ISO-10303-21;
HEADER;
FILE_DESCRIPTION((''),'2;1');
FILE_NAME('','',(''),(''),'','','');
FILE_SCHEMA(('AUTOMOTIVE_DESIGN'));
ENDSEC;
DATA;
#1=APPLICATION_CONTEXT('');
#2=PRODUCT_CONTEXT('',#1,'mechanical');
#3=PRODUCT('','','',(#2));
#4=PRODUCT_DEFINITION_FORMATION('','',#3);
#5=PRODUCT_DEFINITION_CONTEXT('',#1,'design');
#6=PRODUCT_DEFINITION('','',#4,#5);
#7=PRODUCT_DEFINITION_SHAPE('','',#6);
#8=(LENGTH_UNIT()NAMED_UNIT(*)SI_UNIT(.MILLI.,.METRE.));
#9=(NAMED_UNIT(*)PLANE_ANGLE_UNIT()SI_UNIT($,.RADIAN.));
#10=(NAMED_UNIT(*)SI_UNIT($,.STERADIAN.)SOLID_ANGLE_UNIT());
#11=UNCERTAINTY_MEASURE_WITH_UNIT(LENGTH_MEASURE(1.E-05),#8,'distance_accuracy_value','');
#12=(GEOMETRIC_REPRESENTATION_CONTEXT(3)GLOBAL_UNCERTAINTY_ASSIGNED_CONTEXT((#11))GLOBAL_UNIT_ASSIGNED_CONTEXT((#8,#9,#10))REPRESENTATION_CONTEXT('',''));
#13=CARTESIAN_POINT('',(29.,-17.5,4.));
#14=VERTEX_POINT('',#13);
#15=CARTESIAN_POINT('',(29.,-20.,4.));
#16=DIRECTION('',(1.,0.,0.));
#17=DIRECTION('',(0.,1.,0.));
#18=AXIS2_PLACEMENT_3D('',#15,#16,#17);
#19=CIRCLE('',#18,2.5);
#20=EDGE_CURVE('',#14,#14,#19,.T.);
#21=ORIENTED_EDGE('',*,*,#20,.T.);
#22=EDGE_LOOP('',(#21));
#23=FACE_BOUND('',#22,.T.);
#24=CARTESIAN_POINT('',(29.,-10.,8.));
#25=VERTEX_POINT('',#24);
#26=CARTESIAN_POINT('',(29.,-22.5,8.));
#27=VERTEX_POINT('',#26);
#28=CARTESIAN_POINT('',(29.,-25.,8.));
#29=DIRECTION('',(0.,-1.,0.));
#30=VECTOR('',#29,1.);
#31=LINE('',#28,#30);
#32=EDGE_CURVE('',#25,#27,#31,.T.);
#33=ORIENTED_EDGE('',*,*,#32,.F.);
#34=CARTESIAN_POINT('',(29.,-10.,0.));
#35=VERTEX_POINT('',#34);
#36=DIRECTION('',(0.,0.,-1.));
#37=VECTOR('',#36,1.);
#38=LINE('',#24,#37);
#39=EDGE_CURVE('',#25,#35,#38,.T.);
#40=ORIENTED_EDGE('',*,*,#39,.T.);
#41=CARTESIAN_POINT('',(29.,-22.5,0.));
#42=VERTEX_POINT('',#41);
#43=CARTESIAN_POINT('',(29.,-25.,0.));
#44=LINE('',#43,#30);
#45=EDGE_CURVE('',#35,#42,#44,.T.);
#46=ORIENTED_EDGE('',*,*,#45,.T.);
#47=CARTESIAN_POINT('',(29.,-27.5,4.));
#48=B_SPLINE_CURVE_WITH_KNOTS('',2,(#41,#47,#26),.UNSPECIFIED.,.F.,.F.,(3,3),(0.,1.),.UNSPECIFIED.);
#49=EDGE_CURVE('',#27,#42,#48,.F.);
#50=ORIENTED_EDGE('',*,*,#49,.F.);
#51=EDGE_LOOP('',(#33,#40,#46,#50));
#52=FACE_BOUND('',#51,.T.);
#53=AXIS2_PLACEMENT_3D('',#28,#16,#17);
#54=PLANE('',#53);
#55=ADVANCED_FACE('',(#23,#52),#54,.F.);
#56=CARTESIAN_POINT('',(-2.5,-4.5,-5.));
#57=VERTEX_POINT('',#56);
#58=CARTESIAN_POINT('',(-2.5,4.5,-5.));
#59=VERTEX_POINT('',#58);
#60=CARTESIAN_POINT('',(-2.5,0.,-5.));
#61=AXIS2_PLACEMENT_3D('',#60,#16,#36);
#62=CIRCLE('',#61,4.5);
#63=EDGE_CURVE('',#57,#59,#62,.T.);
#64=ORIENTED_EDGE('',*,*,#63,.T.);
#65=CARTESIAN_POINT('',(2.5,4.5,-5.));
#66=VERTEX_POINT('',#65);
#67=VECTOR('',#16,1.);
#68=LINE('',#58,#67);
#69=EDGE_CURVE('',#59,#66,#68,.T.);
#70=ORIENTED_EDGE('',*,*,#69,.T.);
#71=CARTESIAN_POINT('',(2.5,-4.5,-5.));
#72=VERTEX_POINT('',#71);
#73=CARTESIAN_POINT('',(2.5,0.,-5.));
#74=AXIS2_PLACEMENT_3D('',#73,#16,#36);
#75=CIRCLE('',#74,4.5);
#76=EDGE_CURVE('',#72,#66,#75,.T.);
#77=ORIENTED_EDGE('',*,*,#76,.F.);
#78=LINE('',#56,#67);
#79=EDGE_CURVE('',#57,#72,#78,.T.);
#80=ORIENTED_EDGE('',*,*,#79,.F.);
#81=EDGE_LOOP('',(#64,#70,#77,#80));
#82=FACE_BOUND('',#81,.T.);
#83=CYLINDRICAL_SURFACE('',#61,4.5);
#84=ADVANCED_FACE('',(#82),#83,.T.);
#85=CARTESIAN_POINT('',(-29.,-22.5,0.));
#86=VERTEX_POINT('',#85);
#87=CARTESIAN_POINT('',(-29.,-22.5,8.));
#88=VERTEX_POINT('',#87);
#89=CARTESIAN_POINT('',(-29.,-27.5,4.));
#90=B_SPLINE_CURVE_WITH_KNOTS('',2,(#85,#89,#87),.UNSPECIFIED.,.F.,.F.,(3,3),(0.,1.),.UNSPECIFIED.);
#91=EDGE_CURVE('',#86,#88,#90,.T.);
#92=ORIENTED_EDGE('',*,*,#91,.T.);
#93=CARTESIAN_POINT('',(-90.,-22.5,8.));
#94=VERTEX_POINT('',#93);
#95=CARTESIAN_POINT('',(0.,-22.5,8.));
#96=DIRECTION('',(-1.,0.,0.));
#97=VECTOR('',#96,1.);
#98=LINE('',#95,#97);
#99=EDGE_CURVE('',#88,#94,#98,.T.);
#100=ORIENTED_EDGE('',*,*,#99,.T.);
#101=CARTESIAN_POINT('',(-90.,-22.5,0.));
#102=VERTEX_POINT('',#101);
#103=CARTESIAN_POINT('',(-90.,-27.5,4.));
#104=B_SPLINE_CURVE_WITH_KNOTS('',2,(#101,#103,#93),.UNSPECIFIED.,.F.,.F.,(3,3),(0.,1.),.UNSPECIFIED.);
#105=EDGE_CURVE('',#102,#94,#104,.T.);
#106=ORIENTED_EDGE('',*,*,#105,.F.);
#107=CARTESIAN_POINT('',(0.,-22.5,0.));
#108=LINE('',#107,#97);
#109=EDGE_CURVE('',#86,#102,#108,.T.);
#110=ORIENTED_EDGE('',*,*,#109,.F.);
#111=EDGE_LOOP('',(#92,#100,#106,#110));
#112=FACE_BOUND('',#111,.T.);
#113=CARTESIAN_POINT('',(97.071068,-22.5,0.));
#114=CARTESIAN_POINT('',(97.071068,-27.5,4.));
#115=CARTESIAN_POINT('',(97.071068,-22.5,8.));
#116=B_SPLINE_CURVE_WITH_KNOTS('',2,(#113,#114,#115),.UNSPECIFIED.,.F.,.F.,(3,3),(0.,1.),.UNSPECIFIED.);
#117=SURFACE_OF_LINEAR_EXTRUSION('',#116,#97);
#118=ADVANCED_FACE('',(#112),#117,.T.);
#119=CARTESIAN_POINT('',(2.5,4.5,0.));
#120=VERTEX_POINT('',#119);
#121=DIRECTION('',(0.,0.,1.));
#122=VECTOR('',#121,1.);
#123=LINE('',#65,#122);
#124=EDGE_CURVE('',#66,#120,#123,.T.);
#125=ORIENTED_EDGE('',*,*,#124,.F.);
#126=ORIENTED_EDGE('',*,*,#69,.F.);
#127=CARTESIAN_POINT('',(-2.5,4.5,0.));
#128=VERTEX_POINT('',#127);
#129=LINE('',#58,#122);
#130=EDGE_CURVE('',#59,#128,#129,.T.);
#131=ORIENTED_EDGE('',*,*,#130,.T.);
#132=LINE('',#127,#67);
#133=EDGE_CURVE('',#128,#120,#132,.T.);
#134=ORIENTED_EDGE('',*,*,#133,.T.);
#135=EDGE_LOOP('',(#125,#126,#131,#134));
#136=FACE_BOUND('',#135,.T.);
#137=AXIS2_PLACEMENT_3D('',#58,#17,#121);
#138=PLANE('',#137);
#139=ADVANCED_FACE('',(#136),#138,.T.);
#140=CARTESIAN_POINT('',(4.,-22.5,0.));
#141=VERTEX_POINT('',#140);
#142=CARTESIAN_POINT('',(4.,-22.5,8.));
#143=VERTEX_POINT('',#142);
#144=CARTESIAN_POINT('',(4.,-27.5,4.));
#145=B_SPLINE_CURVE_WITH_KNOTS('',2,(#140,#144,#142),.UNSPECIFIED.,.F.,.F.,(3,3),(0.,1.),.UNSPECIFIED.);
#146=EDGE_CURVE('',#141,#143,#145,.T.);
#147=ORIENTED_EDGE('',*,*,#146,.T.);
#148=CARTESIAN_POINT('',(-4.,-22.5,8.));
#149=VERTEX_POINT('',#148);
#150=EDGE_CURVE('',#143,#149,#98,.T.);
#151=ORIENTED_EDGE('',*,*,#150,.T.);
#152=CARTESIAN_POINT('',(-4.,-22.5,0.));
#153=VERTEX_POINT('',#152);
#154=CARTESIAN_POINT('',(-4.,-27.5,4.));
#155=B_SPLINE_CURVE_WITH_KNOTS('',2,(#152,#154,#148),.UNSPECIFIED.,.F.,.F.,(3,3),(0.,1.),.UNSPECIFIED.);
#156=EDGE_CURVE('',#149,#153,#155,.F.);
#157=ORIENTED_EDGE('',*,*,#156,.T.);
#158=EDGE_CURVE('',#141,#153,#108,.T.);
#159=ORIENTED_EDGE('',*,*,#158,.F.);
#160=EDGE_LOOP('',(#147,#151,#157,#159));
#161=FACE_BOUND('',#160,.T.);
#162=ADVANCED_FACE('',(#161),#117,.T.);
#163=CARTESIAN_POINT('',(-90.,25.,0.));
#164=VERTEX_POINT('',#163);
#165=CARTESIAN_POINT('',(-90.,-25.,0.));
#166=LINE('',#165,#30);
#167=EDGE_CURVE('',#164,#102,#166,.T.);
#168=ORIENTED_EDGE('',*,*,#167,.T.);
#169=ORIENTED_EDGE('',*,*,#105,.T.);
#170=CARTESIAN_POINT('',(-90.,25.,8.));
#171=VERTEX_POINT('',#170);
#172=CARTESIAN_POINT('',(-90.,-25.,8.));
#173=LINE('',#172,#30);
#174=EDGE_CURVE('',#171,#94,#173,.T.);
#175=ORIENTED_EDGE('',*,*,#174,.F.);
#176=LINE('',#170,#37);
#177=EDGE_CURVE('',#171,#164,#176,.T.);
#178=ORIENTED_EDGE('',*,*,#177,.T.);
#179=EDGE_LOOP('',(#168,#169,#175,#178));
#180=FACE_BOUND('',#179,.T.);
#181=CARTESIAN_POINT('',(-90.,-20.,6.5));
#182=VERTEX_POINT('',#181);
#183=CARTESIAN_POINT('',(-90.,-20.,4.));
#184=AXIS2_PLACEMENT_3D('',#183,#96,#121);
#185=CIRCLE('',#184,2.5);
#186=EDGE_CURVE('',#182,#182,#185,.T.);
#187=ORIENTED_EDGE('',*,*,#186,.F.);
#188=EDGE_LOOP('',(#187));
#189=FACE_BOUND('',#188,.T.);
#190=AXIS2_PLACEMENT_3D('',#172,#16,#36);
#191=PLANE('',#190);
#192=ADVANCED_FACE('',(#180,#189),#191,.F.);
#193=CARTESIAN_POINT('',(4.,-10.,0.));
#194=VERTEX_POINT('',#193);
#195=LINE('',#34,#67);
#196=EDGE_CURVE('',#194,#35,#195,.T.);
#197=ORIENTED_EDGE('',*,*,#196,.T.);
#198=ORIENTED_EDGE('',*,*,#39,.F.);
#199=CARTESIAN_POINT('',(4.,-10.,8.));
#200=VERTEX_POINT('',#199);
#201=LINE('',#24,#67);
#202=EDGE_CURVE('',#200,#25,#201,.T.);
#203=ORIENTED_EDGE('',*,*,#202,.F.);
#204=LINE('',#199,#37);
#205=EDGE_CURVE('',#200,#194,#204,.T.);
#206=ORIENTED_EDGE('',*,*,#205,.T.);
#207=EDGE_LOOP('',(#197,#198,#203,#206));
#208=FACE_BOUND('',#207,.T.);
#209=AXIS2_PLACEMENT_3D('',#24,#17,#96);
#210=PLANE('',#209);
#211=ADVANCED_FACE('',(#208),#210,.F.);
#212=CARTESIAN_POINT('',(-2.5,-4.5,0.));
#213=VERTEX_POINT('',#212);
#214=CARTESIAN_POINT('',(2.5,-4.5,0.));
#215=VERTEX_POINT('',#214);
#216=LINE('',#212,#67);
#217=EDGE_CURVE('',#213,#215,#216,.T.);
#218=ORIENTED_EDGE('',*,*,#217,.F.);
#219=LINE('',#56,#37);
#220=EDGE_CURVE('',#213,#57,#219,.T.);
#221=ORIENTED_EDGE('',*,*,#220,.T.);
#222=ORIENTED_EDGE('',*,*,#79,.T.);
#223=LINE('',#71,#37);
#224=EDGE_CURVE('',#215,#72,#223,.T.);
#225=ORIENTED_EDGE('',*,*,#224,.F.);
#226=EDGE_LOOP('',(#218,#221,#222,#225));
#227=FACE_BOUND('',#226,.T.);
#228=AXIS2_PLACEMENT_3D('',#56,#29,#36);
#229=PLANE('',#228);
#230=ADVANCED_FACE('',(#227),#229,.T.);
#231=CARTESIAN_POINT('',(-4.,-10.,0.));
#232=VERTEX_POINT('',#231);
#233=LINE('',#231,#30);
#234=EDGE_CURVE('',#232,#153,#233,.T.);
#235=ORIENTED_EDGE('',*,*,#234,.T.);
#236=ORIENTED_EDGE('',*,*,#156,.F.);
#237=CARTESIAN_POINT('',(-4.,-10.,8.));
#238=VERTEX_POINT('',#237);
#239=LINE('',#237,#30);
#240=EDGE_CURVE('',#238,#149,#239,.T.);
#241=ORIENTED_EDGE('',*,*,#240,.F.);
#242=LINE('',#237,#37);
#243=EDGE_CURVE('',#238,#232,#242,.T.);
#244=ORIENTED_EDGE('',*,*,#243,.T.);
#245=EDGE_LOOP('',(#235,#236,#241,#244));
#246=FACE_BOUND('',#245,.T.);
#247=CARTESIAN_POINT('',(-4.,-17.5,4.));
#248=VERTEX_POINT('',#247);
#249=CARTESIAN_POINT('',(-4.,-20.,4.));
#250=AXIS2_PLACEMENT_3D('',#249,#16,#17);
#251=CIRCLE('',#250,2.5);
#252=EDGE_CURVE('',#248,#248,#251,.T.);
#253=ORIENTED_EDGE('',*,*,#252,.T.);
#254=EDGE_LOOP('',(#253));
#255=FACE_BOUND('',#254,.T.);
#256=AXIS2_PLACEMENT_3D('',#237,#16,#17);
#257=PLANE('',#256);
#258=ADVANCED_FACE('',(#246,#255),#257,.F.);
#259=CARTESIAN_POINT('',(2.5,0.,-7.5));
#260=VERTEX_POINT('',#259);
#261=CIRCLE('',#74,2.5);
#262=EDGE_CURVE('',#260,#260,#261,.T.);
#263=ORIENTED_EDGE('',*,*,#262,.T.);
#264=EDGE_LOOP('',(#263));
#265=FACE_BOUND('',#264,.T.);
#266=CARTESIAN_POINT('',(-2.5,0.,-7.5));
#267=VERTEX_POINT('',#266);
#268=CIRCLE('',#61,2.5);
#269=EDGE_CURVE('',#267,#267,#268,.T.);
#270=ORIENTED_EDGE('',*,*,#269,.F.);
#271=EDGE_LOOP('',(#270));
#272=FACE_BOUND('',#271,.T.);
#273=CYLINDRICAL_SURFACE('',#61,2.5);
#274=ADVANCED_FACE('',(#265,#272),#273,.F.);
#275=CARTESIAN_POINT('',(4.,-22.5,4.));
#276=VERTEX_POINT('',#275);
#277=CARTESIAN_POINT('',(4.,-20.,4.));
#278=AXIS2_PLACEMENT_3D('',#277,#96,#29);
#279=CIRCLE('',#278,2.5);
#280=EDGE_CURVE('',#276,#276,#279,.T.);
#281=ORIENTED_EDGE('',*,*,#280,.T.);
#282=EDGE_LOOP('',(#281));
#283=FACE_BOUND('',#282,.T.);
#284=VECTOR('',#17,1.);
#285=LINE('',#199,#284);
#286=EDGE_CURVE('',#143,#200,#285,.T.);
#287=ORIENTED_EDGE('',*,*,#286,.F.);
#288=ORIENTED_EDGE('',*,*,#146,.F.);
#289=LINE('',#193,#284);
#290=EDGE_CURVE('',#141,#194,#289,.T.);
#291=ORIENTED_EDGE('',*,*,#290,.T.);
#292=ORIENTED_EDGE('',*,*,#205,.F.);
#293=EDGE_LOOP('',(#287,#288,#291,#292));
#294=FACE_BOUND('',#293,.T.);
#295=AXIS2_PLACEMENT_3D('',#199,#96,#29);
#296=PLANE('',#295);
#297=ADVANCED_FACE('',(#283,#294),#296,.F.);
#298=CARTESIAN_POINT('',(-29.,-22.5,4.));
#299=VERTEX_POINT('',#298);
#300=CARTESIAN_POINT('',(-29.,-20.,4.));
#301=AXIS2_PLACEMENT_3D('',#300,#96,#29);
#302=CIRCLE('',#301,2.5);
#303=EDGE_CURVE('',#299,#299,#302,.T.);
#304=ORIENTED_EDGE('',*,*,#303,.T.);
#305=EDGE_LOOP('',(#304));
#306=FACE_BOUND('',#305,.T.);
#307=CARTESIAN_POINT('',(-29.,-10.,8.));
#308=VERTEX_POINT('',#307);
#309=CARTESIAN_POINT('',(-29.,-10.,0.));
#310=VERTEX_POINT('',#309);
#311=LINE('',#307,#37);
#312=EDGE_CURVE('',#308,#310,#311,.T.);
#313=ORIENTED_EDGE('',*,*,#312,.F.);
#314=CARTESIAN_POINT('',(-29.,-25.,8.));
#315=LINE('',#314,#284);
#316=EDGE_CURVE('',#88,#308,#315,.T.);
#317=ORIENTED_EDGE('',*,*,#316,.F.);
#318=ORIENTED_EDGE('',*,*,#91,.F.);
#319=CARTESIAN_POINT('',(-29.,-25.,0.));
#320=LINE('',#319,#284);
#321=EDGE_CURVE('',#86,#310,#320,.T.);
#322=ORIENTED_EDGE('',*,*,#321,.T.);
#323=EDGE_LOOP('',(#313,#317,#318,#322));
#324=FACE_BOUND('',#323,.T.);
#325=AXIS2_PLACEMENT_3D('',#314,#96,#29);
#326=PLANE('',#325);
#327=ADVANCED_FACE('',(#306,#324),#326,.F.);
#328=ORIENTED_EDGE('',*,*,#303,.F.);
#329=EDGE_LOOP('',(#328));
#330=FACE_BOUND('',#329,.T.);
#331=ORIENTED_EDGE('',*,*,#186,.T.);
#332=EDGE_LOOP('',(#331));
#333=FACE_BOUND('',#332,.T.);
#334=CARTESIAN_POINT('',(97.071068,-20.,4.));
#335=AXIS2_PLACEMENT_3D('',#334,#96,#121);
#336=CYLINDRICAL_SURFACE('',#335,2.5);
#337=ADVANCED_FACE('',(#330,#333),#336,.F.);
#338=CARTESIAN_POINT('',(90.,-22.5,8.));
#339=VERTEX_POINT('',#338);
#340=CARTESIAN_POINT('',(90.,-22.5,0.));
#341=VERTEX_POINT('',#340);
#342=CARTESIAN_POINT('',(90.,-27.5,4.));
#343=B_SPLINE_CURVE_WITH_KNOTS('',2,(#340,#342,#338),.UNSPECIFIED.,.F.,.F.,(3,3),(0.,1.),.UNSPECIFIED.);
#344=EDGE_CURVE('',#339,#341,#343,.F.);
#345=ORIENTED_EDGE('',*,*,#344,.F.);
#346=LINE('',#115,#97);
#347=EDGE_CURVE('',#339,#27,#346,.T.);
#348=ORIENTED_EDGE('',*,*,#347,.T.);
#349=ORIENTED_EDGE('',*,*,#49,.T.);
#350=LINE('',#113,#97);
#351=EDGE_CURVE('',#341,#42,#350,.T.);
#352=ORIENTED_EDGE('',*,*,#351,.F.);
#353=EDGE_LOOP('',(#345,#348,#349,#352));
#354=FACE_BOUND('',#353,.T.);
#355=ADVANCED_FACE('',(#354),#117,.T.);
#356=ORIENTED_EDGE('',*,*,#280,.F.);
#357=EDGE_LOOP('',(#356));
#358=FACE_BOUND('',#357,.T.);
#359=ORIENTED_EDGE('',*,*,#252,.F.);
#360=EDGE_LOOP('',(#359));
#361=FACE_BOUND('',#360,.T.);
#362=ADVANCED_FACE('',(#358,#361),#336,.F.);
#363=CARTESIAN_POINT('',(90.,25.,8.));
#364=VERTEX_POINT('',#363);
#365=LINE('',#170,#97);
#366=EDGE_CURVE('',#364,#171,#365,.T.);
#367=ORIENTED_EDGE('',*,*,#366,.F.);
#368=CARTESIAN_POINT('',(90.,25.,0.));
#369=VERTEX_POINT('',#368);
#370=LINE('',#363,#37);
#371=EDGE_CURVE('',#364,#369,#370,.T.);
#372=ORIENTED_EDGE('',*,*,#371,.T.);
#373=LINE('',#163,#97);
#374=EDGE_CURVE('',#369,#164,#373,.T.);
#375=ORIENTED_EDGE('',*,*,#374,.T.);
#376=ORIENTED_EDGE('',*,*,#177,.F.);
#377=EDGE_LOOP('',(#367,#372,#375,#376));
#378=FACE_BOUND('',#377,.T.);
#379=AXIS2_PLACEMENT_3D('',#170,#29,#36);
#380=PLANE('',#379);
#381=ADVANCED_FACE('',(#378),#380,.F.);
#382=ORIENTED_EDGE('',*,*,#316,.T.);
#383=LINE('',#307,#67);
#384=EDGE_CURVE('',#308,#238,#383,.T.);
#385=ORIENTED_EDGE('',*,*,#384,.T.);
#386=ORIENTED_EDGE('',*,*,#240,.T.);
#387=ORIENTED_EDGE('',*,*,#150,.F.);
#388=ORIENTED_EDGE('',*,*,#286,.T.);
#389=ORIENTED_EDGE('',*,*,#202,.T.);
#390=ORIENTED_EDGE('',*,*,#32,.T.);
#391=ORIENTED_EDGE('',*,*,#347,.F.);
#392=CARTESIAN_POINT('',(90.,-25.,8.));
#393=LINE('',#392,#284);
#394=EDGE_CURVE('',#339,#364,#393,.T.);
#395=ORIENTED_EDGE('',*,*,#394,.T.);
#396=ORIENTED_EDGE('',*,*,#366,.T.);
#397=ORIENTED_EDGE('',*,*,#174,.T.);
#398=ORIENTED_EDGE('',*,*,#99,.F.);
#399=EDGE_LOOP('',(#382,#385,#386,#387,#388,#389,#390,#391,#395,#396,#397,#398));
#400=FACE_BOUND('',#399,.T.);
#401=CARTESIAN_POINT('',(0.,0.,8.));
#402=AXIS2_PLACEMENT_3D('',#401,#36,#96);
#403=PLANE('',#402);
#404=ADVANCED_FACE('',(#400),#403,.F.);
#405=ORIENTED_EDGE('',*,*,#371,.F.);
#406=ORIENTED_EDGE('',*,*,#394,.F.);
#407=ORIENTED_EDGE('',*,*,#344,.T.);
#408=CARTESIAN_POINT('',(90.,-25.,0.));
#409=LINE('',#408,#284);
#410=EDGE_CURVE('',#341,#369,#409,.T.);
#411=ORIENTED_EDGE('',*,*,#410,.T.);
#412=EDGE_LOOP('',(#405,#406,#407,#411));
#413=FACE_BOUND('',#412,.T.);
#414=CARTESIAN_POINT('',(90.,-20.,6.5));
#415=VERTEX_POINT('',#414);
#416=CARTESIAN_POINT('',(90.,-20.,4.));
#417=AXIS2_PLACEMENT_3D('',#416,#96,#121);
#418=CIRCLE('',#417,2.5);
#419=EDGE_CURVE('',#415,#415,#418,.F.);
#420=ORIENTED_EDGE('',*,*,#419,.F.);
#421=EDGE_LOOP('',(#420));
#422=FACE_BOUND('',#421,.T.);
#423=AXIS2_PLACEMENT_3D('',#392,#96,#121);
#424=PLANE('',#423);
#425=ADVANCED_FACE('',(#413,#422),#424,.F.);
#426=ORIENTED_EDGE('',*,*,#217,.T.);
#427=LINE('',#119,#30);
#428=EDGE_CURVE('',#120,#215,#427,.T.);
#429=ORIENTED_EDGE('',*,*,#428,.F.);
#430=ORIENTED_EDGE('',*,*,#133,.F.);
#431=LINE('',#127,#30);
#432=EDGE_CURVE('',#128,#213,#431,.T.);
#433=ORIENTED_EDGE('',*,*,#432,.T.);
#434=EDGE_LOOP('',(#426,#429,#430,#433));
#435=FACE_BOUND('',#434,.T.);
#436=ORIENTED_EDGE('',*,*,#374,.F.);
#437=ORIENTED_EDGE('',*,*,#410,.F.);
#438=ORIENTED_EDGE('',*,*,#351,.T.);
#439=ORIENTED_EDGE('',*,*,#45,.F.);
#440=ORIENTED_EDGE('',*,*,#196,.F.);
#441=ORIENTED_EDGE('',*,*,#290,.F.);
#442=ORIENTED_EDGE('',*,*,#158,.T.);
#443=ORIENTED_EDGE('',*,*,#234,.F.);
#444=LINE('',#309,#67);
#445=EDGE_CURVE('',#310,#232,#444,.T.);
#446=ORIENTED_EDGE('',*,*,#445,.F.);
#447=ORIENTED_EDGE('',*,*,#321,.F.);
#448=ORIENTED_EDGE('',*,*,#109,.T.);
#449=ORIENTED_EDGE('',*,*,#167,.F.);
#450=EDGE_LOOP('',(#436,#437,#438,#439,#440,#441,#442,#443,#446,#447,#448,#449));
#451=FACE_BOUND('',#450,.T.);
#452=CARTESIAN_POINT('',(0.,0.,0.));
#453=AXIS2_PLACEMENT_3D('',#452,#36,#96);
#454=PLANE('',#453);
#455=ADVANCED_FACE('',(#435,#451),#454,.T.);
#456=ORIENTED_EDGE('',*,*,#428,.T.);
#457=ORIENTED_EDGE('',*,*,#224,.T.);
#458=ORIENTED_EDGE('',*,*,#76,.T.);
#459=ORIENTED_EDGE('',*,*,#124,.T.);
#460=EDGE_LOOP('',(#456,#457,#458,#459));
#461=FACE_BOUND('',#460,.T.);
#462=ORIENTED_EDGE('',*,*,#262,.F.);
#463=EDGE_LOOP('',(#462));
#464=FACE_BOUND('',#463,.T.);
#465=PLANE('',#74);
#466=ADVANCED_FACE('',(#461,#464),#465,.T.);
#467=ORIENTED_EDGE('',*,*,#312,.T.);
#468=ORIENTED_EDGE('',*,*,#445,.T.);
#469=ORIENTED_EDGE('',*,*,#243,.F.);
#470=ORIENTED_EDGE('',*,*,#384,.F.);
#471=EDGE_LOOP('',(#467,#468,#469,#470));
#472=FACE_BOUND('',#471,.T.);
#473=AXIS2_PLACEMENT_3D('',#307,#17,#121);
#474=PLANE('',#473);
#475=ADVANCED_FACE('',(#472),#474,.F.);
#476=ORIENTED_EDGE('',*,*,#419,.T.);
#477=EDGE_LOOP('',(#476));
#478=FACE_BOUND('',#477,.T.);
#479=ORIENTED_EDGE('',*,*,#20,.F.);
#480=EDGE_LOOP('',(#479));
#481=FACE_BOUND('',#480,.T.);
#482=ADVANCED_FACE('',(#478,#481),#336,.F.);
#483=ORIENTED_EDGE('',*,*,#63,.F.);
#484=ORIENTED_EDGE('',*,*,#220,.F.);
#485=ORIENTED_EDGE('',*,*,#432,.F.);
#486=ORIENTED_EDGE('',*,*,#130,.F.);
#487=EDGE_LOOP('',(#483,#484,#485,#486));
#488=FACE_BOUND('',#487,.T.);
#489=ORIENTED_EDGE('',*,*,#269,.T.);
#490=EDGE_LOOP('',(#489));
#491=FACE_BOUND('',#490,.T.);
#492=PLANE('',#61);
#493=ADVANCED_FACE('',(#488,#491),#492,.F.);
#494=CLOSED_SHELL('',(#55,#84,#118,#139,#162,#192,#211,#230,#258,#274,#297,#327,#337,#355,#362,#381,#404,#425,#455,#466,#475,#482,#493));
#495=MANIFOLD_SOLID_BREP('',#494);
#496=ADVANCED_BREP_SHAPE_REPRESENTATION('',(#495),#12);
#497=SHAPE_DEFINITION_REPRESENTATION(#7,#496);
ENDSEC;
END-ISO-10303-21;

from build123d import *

# Parameters (mm, degrees)
BOSS_EXTRU_1_DEPTH      = 8
ENL_V_MAT_EXTRU_1_REACH = 183.904
ESQUISSE2_R             = 2.5
BOSS_EXTRU_2_DEPTH      = 2.5
BOSS_EXTRU_2_DEPTH_BACK = 2.5
ESQUISSE4_R             = 2.5


with BuildPart() as part:
    # Esquisse1 → Boss.-Extru.1 (new body)
    with BuildSketch(Plane.XY):
        Polygon((-29, -25), (-29, -10), (-4, -10), (-4, -25), (4, -25), (4, -10), (29, -10), (29, -25), (90, -25), (90, 25), (-90, 25), (-90, -25), align=None)
    extrude(amount=BOSS_EXTRU_1_DEPTH)

    # Enlèv. mat.-Extru.1: up to this face of the body (flat: up to its plane)
    enl_v_mat_extru_1_end = Plane(part.part.faces().sort_by_distance((90, 0, 4))[0])
    # Esquisse2 → Enlèv. mat.-Extru.1 (cut, up to the picked face)
    with BuildSketch(Plane.ZY.offset(90), mode=Mode.PRIVATE) as enl_v_mat_extru_1_sk1:
        with BuildLine():
            add(Edge.make_bspline(
                [(4, -25), (6, -25), (8, -22.5)],
                knots=[0.5, 0.5, 0.5, 1, 1, 1], degree=2))
            Line((4, -25), (8, -25))
            Line((8, -25), (8, -22.5))
        make_face()
    enl_v_mat_extru_1_tool1 = split(extrude(enl_v_mat_extru_1_sk1.sketch, amount=-ENL_V_MAT_EXTRU_1_REACH, mode=Mode.PRIVATE), bisect_by=enl_v_mat_extru_1_end, keep=Keep.BOTH, mode=Mode.PRIVATE)
    # Esquisse2 → Enlèv. mat.-Extru.1 (cut, up to the picked face)
    with BuildSketch(Plane.ZY.offset(90), mode=Mode.PRIVATE) as enl_v_mat_extru_1_sk2:
        with BuildLine():
            add(Edge.make_bspline(
                [(0, -22.5), (2, -25), (4, -25)],
                knots=[0, 0, 0, 0.5, 0.5, 0.5], degree=2))
            Line((0, -22.5), (0, -25))
            Line((0, -25), (4, -25))
        make_face()
    enl_v_mat_extru_1_tool2 = split(extrude(enl_v_mat_extru_1_sk2.sketch, amount=-ENL_V_MAT_EXTRU_1_REACH, mode=Mode.PRIVATE), bisect_by=enl_v_mat_extru_1_end, keep=Keep.BOTH, mode=Mode.PRIVATE)
    # Esquisse2 → Enlèv. mat.-Extru.1 (cut, up to the picked face)
    with BuildSketch(Plane.ZY.offset(90), mode=Mode.PRIVATE) as enl_v_mat_extru_1_sk3:
        with Locations((4, -20)):
            Circle(ESQUISSE2_R)
    enl_v_mat_extru_1_tool3 = split(extrude(enl_v_mat_extru_1_sk3.sketch, amount=-ENL_V_MAT_EXTRU_1_REACH, mode=Mode.PRIVATE), bisect_by=enl_v_mat_extru_1_end, keep=Keep.BOTH, mode=Mode.PRIVATE)
    add(enl_v_mat_extru_1_tool1.solids().sort_by(Axis((-90, -24.25, 7), (1, 0, 0)))[0], mode=Mode.SUBTRACT)
    add(enl_v_mat_extru_1_tool2.solids().sort_by(Axis((-90, -24.25, 1), (1, 0, 0)))[0], mode=Mode.SUBTRACT)
    add(enl_v_mat_extru_1_tool3.solids().sort_by(Axis((-90, -20, 4), (1, 0, 0)))[0], mode=Mode.SUBTRACT)

    # Esquisse4 → Boss.-Extru.2 (add, two sides: drawn at the far end of the back side and taken through both)
    with BuildSketch(Plane(origin=(0, 0, 0), x_dir=(0, 0, -1), z_dir=(1, 0, 0)).offset(-BOSS_EXTRU_2_DEPTH_BACK)):
        with BuildLine():
            Line((5, 4.5), (0, 4.5))
            Line((0, 4.5), (0, -4.5))
            Line((0, -4.5), (5, -4.5))
            ThreePointArc((5, -4.5), (9.5, 0), (5, 4.5))
        make_face()
        with Locations((5, 0)):
            Circle(ESQUISSE4_R, mode=Mode.SUBTRACT)
    extrude(amount=BOSS_EXTRU_2_DEPTH + BOSS_EXTRU_2_DEPTH_BACK)


solid = part.part
